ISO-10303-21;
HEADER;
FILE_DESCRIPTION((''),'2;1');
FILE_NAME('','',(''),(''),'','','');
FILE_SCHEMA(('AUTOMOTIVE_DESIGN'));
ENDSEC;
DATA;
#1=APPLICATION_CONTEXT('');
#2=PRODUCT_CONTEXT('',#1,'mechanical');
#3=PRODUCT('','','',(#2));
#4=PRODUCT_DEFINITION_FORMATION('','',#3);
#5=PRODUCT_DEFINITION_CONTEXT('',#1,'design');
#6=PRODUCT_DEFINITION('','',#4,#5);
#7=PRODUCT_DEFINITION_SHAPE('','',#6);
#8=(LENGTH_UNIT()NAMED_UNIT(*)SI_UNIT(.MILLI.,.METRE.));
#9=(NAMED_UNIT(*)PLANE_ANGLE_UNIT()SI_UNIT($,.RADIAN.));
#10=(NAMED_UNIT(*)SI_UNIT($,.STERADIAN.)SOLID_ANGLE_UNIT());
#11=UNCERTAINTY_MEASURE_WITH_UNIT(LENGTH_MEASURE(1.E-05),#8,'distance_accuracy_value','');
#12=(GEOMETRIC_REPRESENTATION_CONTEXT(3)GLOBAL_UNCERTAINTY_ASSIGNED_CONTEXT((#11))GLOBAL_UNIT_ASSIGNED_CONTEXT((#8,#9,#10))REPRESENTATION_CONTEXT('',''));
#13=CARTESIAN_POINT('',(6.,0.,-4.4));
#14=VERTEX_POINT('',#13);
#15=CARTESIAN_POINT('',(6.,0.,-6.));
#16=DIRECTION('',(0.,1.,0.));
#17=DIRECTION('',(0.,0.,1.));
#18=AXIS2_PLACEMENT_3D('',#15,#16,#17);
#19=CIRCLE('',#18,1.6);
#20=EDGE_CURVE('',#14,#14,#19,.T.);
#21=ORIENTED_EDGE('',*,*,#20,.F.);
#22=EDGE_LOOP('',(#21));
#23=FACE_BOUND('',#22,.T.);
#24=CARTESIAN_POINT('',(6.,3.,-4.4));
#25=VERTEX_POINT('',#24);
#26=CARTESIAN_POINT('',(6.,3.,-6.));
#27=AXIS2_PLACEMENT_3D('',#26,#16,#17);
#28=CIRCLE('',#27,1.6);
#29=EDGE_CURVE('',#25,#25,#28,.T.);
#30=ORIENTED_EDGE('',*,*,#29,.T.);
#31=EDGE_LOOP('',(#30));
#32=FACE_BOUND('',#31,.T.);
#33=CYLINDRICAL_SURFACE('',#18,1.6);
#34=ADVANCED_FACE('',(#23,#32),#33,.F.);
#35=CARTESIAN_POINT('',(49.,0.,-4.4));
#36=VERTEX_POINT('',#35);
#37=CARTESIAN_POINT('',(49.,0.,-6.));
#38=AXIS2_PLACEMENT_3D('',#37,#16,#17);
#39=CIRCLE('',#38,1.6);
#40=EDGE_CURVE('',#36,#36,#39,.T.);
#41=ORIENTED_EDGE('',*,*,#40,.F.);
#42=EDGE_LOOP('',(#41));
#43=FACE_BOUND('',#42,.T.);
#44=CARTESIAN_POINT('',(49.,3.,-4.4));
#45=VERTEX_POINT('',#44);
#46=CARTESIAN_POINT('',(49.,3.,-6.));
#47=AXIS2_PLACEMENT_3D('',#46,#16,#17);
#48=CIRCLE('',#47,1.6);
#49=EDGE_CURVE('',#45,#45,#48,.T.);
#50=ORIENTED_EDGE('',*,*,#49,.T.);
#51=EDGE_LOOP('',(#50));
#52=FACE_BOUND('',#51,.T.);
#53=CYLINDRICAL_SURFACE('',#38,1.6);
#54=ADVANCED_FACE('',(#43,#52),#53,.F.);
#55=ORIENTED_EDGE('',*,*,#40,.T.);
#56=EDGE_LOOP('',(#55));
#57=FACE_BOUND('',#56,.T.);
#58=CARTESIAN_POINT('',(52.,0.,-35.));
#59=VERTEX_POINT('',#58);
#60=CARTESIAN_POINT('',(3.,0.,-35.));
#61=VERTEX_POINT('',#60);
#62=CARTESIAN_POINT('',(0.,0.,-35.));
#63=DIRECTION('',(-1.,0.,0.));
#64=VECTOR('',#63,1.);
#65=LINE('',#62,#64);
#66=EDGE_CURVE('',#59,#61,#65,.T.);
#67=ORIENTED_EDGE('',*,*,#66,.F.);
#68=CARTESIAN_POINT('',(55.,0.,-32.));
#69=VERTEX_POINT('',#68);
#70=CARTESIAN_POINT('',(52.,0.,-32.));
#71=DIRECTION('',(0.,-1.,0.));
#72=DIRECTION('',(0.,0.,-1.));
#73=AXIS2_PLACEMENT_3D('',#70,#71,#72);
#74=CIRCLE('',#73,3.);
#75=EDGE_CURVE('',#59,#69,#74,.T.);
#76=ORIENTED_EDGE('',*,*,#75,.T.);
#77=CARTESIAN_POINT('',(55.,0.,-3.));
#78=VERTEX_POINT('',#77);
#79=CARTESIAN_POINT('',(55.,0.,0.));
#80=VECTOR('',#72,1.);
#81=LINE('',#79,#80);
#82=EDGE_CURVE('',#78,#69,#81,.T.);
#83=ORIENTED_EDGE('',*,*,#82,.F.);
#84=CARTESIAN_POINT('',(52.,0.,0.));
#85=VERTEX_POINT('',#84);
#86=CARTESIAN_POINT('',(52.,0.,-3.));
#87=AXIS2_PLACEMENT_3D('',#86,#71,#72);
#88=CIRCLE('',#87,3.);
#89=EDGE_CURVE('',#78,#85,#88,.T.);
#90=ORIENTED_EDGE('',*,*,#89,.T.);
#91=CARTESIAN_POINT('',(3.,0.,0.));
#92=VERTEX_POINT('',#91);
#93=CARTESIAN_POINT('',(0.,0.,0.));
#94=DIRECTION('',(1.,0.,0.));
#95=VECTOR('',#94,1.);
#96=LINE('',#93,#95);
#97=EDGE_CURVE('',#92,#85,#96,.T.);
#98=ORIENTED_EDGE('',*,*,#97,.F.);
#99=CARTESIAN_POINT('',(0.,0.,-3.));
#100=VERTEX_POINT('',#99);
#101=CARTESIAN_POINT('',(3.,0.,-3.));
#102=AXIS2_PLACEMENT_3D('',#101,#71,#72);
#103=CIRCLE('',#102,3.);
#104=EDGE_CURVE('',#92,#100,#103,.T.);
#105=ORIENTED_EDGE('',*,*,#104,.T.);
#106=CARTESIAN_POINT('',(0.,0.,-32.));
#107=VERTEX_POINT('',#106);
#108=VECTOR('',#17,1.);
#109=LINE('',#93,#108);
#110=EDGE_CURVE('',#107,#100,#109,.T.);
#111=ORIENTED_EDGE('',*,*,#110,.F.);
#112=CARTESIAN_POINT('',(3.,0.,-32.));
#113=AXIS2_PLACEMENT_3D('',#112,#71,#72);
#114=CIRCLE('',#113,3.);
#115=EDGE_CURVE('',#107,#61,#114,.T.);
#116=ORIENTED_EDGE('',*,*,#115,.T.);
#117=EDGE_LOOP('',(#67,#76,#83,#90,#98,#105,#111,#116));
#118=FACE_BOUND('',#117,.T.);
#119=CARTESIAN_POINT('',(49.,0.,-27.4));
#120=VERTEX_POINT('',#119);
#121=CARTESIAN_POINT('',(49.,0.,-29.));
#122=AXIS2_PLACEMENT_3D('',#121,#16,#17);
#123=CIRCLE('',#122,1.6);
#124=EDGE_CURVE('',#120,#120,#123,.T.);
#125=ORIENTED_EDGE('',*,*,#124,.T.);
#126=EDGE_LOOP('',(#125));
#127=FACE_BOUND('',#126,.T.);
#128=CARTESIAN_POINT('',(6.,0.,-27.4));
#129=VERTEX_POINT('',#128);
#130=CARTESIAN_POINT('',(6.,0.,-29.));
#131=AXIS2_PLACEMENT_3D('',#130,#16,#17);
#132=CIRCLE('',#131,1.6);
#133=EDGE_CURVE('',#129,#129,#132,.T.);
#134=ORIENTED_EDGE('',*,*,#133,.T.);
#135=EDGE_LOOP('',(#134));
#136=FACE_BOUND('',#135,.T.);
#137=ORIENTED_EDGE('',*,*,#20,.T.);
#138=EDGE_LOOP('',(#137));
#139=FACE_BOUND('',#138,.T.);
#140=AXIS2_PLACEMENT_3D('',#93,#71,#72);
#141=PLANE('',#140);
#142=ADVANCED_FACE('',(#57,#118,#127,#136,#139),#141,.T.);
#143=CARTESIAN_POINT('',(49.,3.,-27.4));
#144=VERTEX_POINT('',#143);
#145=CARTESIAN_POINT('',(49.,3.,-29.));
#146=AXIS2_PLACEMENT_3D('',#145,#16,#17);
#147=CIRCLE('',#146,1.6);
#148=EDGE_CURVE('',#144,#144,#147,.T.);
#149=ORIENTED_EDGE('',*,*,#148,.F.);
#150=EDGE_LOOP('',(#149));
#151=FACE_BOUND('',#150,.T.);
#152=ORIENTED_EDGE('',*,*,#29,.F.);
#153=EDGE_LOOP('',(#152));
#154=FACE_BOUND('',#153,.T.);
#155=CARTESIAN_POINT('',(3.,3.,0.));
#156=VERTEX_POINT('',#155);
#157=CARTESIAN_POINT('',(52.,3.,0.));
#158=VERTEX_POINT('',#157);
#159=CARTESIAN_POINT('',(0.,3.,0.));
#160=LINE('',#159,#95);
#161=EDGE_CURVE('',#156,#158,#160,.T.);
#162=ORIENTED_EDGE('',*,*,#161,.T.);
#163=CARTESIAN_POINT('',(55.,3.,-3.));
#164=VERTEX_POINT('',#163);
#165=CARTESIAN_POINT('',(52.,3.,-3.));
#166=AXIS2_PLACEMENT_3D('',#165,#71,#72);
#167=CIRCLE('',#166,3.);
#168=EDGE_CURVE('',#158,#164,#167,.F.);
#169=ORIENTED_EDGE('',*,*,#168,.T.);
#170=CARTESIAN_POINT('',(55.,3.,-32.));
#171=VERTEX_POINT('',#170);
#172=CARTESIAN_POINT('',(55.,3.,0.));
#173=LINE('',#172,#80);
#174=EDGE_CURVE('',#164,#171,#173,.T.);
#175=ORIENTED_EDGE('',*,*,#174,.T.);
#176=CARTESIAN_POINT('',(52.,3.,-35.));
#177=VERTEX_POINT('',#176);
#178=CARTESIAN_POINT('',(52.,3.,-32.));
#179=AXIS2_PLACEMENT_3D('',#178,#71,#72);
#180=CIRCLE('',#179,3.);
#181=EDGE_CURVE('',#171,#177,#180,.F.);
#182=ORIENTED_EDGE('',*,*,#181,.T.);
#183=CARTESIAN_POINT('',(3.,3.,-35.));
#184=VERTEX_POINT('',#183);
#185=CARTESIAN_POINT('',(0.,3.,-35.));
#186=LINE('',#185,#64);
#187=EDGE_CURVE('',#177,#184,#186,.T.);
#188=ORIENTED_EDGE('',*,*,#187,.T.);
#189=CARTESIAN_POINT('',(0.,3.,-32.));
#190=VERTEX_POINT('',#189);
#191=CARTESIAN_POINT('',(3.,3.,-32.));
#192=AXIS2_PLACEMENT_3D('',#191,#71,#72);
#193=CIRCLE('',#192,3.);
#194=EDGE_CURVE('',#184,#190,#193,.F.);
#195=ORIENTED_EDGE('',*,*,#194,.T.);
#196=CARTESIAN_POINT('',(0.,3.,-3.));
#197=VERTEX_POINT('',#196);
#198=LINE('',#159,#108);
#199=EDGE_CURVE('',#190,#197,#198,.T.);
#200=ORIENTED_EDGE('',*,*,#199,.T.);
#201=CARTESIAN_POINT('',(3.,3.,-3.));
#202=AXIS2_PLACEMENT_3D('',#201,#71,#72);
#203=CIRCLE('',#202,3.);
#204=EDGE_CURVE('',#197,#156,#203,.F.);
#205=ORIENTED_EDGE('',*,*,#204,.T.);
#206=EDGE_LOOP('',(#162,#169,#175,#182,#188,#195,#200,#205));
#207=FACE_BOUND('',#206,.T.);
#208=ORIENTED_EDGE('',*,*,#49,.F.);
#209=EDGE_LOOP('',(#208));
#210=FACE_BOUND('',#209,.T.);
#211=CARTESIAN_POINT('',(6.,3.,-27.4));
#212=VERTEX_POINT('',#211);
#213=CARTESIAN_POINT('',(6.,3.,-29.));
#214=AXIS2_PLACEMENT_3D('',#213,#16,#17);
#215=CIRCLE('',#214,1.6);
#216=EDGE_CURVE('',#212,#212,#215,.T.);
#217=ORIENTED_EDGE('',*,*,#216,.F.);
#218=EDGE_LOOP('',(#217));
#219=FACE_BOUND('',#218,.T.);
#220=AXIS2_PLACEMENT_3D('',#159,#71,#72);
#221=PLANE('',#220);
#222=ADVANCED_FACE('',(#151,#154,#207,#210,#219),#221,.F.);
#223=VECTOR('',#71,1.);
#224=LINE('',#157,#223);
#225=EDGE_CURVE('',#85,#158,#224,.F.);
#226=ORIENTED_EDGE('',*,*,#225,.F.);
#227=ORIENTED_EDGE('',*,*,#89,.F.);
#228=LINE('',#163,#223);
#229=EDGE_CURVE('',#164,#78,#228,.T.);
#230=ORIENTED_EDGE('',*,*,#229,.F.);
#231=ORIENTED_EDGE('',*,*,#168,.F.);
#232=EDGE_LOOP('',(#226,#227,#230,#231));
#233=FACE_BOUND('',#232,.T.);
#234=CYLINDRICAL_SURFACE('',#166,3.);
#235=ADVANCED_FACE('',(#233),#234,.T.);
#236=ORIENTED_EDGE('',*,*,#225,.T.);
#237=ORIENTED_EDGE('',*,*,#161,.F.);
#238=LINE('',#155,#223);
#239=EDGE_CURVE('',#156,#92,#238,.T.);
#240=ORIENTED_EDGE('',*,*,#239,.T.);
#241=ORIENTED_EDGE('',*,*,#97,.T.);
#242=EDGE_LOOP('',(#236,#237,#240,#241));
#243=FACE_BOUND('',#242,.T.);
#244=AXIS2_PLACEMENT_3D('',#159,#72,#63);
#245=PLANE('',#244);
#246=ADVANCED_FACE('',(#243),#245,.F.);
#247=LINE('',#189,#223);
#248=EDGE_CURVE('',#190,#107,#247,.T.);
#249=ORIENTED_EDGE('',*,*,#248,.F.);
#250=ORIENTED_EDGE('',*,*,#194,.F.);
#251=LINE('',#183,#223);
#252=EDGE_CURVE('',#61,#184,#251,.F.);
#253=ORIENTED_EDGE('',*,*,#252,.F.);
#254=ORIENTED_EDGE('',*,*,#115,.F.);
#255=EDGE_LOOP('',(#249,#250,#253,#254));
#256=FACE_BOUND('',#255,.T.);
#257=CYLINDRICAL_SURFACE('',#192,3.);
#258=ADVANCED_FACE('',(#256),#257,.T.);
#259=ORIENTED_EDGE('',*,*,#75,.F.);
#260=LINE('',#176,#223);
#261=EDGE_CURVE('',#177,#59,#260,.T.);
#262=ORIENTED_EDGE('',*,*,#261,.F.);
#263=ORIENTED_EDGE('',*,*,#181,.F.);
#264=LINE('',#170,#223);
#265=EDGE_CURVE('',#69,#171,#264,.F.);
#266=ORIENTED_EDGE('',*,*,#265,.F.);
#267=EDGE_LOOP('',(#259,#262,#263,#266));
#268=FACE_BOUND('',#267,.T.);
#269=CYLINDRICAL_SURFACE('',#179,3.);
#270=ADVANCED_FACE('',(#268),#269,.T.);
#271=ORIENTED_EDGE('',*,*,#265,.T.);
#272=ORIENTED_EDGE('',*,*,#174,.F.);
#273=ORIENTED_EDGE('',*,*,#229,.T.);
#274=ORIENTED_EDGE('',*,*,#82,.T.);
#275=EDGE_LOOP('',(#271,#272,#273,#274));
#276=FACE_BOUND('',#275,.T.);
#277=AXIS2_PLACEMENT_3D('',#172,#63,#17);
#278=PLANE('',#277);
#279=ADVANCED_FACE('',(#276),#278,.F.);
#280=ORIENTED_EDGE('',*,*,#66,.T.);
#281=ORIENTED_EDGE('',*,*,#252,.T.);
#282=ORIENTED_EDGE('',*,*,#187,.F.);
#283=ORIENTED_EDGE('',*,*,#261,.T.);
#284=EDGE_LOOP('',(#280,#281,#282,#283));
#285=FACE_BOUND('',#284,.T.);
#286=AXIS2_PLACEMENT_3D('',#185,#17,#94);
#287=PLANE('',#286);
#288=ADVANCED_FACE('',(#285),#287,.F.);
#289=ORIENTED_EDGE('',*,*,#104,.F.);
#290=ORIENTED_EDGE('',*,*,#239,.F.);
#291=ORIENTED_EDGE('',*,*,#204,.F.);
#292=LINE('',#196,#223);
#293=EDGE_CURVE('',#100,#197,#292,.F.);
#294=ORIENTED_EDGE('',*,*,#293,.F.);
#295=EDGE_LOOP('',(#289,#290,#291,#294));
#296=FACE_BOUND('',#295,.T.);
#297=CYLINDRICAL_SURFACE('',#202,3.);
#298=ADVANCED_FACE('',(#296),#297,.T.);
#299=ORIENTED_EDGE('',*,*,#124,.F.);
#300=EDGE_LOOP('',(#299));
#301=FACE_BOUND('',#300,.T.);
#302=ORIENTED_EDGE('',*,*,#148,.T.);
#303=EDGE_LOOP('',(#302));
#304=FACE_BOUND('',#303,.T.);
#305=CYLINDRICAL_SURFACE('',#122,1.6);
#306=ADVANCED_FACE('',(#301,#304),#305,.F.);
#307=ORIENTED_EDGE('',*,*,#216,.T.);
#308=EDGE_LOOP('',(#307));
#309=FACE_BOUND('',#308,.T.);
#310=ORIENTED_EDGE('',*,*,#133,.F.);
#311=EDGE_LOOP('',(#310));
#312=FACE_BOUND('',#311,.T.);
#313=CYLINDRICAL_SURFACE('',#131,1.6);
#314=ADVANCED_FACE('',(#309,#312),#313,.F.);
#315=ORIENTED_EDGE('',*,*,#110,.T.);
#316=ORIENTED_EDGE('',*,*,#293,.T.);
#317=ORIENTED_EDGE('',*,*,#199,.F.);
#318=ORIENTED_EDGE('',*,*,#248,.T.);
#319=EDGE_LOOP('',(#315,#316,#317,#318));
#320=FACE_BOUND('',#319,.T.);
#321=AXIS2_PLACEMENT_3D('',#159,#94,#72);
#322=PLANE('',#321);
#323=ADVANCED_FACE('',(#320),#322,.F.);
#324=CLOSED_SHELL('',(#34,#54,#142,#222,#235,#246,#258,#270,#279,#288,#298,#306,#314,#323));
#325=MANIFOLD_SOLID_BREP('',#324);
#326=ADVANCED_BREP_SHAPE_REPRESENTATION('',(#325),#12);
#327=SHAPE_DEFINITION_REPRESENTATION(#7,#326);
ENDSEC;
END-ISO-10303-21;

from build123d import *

# Parameters (mm, degrees)
SKETCH_1_W          = 55
SKETCH_1_H          = 35
EXTRUDE_1_DEPTH     = 3
SKETCH_2_R          = 1.6
CUT_EXTRUDE_1_DEPTH = 3
FILLET_1_R          = 3


with BuildPart() as part:
    # 草图1 → 凸台-拉伸1 (new body)
    with BuildSketch(Plane(origin=(0, 0, 0), x_dir=(1, 0, 0), z_dir=(0, 1, 0))):
        with Locations((27.5, 17.5)):
            Rectangle(SKETCH_1_W, SKETCH_1_H)
    extrude(amount=EXTRUDE_1_DEPTH)

    # 草图2 → 切除-拉伸1 (cut)
    with BuildSketch(Plane(origin=(0, 3, 0), x_dir=(1, 0, 0), z_dir=(0, 1, 0))):
        with Locations(Location((6, 29, 0), (0, 0, 270))):
            Circle(SKETCH_2_R)
        with Locations(Location((49, 29, 0), (0, 0, 270))):
            Circle(SKETCH_2_R)
        with Locations(Location((49, 6, 0), (0, 0, 270))):
            Circle(SKETCH_2_R)
        with Locations(Location((6, 6, 0), (0, 0, 270))):
            Circle(SKETCH_2_R)
    extrude(amount=-CUT_EXTRUDE_1_DEPTH, mode=Mode.SUBTRACT)

    # 圆角1
    fillet_1_edges = [part.edges().sort_by_distance(p)[0] for p in [
        (0, 1.5, -35),
        (55, 1.5, -35),
        (55, 1.5, 0),
        (0, 1.5, 0),
    ]]
    fillet(fillet_1_edges, radius=FILLET_1_R)


solid = part.part
